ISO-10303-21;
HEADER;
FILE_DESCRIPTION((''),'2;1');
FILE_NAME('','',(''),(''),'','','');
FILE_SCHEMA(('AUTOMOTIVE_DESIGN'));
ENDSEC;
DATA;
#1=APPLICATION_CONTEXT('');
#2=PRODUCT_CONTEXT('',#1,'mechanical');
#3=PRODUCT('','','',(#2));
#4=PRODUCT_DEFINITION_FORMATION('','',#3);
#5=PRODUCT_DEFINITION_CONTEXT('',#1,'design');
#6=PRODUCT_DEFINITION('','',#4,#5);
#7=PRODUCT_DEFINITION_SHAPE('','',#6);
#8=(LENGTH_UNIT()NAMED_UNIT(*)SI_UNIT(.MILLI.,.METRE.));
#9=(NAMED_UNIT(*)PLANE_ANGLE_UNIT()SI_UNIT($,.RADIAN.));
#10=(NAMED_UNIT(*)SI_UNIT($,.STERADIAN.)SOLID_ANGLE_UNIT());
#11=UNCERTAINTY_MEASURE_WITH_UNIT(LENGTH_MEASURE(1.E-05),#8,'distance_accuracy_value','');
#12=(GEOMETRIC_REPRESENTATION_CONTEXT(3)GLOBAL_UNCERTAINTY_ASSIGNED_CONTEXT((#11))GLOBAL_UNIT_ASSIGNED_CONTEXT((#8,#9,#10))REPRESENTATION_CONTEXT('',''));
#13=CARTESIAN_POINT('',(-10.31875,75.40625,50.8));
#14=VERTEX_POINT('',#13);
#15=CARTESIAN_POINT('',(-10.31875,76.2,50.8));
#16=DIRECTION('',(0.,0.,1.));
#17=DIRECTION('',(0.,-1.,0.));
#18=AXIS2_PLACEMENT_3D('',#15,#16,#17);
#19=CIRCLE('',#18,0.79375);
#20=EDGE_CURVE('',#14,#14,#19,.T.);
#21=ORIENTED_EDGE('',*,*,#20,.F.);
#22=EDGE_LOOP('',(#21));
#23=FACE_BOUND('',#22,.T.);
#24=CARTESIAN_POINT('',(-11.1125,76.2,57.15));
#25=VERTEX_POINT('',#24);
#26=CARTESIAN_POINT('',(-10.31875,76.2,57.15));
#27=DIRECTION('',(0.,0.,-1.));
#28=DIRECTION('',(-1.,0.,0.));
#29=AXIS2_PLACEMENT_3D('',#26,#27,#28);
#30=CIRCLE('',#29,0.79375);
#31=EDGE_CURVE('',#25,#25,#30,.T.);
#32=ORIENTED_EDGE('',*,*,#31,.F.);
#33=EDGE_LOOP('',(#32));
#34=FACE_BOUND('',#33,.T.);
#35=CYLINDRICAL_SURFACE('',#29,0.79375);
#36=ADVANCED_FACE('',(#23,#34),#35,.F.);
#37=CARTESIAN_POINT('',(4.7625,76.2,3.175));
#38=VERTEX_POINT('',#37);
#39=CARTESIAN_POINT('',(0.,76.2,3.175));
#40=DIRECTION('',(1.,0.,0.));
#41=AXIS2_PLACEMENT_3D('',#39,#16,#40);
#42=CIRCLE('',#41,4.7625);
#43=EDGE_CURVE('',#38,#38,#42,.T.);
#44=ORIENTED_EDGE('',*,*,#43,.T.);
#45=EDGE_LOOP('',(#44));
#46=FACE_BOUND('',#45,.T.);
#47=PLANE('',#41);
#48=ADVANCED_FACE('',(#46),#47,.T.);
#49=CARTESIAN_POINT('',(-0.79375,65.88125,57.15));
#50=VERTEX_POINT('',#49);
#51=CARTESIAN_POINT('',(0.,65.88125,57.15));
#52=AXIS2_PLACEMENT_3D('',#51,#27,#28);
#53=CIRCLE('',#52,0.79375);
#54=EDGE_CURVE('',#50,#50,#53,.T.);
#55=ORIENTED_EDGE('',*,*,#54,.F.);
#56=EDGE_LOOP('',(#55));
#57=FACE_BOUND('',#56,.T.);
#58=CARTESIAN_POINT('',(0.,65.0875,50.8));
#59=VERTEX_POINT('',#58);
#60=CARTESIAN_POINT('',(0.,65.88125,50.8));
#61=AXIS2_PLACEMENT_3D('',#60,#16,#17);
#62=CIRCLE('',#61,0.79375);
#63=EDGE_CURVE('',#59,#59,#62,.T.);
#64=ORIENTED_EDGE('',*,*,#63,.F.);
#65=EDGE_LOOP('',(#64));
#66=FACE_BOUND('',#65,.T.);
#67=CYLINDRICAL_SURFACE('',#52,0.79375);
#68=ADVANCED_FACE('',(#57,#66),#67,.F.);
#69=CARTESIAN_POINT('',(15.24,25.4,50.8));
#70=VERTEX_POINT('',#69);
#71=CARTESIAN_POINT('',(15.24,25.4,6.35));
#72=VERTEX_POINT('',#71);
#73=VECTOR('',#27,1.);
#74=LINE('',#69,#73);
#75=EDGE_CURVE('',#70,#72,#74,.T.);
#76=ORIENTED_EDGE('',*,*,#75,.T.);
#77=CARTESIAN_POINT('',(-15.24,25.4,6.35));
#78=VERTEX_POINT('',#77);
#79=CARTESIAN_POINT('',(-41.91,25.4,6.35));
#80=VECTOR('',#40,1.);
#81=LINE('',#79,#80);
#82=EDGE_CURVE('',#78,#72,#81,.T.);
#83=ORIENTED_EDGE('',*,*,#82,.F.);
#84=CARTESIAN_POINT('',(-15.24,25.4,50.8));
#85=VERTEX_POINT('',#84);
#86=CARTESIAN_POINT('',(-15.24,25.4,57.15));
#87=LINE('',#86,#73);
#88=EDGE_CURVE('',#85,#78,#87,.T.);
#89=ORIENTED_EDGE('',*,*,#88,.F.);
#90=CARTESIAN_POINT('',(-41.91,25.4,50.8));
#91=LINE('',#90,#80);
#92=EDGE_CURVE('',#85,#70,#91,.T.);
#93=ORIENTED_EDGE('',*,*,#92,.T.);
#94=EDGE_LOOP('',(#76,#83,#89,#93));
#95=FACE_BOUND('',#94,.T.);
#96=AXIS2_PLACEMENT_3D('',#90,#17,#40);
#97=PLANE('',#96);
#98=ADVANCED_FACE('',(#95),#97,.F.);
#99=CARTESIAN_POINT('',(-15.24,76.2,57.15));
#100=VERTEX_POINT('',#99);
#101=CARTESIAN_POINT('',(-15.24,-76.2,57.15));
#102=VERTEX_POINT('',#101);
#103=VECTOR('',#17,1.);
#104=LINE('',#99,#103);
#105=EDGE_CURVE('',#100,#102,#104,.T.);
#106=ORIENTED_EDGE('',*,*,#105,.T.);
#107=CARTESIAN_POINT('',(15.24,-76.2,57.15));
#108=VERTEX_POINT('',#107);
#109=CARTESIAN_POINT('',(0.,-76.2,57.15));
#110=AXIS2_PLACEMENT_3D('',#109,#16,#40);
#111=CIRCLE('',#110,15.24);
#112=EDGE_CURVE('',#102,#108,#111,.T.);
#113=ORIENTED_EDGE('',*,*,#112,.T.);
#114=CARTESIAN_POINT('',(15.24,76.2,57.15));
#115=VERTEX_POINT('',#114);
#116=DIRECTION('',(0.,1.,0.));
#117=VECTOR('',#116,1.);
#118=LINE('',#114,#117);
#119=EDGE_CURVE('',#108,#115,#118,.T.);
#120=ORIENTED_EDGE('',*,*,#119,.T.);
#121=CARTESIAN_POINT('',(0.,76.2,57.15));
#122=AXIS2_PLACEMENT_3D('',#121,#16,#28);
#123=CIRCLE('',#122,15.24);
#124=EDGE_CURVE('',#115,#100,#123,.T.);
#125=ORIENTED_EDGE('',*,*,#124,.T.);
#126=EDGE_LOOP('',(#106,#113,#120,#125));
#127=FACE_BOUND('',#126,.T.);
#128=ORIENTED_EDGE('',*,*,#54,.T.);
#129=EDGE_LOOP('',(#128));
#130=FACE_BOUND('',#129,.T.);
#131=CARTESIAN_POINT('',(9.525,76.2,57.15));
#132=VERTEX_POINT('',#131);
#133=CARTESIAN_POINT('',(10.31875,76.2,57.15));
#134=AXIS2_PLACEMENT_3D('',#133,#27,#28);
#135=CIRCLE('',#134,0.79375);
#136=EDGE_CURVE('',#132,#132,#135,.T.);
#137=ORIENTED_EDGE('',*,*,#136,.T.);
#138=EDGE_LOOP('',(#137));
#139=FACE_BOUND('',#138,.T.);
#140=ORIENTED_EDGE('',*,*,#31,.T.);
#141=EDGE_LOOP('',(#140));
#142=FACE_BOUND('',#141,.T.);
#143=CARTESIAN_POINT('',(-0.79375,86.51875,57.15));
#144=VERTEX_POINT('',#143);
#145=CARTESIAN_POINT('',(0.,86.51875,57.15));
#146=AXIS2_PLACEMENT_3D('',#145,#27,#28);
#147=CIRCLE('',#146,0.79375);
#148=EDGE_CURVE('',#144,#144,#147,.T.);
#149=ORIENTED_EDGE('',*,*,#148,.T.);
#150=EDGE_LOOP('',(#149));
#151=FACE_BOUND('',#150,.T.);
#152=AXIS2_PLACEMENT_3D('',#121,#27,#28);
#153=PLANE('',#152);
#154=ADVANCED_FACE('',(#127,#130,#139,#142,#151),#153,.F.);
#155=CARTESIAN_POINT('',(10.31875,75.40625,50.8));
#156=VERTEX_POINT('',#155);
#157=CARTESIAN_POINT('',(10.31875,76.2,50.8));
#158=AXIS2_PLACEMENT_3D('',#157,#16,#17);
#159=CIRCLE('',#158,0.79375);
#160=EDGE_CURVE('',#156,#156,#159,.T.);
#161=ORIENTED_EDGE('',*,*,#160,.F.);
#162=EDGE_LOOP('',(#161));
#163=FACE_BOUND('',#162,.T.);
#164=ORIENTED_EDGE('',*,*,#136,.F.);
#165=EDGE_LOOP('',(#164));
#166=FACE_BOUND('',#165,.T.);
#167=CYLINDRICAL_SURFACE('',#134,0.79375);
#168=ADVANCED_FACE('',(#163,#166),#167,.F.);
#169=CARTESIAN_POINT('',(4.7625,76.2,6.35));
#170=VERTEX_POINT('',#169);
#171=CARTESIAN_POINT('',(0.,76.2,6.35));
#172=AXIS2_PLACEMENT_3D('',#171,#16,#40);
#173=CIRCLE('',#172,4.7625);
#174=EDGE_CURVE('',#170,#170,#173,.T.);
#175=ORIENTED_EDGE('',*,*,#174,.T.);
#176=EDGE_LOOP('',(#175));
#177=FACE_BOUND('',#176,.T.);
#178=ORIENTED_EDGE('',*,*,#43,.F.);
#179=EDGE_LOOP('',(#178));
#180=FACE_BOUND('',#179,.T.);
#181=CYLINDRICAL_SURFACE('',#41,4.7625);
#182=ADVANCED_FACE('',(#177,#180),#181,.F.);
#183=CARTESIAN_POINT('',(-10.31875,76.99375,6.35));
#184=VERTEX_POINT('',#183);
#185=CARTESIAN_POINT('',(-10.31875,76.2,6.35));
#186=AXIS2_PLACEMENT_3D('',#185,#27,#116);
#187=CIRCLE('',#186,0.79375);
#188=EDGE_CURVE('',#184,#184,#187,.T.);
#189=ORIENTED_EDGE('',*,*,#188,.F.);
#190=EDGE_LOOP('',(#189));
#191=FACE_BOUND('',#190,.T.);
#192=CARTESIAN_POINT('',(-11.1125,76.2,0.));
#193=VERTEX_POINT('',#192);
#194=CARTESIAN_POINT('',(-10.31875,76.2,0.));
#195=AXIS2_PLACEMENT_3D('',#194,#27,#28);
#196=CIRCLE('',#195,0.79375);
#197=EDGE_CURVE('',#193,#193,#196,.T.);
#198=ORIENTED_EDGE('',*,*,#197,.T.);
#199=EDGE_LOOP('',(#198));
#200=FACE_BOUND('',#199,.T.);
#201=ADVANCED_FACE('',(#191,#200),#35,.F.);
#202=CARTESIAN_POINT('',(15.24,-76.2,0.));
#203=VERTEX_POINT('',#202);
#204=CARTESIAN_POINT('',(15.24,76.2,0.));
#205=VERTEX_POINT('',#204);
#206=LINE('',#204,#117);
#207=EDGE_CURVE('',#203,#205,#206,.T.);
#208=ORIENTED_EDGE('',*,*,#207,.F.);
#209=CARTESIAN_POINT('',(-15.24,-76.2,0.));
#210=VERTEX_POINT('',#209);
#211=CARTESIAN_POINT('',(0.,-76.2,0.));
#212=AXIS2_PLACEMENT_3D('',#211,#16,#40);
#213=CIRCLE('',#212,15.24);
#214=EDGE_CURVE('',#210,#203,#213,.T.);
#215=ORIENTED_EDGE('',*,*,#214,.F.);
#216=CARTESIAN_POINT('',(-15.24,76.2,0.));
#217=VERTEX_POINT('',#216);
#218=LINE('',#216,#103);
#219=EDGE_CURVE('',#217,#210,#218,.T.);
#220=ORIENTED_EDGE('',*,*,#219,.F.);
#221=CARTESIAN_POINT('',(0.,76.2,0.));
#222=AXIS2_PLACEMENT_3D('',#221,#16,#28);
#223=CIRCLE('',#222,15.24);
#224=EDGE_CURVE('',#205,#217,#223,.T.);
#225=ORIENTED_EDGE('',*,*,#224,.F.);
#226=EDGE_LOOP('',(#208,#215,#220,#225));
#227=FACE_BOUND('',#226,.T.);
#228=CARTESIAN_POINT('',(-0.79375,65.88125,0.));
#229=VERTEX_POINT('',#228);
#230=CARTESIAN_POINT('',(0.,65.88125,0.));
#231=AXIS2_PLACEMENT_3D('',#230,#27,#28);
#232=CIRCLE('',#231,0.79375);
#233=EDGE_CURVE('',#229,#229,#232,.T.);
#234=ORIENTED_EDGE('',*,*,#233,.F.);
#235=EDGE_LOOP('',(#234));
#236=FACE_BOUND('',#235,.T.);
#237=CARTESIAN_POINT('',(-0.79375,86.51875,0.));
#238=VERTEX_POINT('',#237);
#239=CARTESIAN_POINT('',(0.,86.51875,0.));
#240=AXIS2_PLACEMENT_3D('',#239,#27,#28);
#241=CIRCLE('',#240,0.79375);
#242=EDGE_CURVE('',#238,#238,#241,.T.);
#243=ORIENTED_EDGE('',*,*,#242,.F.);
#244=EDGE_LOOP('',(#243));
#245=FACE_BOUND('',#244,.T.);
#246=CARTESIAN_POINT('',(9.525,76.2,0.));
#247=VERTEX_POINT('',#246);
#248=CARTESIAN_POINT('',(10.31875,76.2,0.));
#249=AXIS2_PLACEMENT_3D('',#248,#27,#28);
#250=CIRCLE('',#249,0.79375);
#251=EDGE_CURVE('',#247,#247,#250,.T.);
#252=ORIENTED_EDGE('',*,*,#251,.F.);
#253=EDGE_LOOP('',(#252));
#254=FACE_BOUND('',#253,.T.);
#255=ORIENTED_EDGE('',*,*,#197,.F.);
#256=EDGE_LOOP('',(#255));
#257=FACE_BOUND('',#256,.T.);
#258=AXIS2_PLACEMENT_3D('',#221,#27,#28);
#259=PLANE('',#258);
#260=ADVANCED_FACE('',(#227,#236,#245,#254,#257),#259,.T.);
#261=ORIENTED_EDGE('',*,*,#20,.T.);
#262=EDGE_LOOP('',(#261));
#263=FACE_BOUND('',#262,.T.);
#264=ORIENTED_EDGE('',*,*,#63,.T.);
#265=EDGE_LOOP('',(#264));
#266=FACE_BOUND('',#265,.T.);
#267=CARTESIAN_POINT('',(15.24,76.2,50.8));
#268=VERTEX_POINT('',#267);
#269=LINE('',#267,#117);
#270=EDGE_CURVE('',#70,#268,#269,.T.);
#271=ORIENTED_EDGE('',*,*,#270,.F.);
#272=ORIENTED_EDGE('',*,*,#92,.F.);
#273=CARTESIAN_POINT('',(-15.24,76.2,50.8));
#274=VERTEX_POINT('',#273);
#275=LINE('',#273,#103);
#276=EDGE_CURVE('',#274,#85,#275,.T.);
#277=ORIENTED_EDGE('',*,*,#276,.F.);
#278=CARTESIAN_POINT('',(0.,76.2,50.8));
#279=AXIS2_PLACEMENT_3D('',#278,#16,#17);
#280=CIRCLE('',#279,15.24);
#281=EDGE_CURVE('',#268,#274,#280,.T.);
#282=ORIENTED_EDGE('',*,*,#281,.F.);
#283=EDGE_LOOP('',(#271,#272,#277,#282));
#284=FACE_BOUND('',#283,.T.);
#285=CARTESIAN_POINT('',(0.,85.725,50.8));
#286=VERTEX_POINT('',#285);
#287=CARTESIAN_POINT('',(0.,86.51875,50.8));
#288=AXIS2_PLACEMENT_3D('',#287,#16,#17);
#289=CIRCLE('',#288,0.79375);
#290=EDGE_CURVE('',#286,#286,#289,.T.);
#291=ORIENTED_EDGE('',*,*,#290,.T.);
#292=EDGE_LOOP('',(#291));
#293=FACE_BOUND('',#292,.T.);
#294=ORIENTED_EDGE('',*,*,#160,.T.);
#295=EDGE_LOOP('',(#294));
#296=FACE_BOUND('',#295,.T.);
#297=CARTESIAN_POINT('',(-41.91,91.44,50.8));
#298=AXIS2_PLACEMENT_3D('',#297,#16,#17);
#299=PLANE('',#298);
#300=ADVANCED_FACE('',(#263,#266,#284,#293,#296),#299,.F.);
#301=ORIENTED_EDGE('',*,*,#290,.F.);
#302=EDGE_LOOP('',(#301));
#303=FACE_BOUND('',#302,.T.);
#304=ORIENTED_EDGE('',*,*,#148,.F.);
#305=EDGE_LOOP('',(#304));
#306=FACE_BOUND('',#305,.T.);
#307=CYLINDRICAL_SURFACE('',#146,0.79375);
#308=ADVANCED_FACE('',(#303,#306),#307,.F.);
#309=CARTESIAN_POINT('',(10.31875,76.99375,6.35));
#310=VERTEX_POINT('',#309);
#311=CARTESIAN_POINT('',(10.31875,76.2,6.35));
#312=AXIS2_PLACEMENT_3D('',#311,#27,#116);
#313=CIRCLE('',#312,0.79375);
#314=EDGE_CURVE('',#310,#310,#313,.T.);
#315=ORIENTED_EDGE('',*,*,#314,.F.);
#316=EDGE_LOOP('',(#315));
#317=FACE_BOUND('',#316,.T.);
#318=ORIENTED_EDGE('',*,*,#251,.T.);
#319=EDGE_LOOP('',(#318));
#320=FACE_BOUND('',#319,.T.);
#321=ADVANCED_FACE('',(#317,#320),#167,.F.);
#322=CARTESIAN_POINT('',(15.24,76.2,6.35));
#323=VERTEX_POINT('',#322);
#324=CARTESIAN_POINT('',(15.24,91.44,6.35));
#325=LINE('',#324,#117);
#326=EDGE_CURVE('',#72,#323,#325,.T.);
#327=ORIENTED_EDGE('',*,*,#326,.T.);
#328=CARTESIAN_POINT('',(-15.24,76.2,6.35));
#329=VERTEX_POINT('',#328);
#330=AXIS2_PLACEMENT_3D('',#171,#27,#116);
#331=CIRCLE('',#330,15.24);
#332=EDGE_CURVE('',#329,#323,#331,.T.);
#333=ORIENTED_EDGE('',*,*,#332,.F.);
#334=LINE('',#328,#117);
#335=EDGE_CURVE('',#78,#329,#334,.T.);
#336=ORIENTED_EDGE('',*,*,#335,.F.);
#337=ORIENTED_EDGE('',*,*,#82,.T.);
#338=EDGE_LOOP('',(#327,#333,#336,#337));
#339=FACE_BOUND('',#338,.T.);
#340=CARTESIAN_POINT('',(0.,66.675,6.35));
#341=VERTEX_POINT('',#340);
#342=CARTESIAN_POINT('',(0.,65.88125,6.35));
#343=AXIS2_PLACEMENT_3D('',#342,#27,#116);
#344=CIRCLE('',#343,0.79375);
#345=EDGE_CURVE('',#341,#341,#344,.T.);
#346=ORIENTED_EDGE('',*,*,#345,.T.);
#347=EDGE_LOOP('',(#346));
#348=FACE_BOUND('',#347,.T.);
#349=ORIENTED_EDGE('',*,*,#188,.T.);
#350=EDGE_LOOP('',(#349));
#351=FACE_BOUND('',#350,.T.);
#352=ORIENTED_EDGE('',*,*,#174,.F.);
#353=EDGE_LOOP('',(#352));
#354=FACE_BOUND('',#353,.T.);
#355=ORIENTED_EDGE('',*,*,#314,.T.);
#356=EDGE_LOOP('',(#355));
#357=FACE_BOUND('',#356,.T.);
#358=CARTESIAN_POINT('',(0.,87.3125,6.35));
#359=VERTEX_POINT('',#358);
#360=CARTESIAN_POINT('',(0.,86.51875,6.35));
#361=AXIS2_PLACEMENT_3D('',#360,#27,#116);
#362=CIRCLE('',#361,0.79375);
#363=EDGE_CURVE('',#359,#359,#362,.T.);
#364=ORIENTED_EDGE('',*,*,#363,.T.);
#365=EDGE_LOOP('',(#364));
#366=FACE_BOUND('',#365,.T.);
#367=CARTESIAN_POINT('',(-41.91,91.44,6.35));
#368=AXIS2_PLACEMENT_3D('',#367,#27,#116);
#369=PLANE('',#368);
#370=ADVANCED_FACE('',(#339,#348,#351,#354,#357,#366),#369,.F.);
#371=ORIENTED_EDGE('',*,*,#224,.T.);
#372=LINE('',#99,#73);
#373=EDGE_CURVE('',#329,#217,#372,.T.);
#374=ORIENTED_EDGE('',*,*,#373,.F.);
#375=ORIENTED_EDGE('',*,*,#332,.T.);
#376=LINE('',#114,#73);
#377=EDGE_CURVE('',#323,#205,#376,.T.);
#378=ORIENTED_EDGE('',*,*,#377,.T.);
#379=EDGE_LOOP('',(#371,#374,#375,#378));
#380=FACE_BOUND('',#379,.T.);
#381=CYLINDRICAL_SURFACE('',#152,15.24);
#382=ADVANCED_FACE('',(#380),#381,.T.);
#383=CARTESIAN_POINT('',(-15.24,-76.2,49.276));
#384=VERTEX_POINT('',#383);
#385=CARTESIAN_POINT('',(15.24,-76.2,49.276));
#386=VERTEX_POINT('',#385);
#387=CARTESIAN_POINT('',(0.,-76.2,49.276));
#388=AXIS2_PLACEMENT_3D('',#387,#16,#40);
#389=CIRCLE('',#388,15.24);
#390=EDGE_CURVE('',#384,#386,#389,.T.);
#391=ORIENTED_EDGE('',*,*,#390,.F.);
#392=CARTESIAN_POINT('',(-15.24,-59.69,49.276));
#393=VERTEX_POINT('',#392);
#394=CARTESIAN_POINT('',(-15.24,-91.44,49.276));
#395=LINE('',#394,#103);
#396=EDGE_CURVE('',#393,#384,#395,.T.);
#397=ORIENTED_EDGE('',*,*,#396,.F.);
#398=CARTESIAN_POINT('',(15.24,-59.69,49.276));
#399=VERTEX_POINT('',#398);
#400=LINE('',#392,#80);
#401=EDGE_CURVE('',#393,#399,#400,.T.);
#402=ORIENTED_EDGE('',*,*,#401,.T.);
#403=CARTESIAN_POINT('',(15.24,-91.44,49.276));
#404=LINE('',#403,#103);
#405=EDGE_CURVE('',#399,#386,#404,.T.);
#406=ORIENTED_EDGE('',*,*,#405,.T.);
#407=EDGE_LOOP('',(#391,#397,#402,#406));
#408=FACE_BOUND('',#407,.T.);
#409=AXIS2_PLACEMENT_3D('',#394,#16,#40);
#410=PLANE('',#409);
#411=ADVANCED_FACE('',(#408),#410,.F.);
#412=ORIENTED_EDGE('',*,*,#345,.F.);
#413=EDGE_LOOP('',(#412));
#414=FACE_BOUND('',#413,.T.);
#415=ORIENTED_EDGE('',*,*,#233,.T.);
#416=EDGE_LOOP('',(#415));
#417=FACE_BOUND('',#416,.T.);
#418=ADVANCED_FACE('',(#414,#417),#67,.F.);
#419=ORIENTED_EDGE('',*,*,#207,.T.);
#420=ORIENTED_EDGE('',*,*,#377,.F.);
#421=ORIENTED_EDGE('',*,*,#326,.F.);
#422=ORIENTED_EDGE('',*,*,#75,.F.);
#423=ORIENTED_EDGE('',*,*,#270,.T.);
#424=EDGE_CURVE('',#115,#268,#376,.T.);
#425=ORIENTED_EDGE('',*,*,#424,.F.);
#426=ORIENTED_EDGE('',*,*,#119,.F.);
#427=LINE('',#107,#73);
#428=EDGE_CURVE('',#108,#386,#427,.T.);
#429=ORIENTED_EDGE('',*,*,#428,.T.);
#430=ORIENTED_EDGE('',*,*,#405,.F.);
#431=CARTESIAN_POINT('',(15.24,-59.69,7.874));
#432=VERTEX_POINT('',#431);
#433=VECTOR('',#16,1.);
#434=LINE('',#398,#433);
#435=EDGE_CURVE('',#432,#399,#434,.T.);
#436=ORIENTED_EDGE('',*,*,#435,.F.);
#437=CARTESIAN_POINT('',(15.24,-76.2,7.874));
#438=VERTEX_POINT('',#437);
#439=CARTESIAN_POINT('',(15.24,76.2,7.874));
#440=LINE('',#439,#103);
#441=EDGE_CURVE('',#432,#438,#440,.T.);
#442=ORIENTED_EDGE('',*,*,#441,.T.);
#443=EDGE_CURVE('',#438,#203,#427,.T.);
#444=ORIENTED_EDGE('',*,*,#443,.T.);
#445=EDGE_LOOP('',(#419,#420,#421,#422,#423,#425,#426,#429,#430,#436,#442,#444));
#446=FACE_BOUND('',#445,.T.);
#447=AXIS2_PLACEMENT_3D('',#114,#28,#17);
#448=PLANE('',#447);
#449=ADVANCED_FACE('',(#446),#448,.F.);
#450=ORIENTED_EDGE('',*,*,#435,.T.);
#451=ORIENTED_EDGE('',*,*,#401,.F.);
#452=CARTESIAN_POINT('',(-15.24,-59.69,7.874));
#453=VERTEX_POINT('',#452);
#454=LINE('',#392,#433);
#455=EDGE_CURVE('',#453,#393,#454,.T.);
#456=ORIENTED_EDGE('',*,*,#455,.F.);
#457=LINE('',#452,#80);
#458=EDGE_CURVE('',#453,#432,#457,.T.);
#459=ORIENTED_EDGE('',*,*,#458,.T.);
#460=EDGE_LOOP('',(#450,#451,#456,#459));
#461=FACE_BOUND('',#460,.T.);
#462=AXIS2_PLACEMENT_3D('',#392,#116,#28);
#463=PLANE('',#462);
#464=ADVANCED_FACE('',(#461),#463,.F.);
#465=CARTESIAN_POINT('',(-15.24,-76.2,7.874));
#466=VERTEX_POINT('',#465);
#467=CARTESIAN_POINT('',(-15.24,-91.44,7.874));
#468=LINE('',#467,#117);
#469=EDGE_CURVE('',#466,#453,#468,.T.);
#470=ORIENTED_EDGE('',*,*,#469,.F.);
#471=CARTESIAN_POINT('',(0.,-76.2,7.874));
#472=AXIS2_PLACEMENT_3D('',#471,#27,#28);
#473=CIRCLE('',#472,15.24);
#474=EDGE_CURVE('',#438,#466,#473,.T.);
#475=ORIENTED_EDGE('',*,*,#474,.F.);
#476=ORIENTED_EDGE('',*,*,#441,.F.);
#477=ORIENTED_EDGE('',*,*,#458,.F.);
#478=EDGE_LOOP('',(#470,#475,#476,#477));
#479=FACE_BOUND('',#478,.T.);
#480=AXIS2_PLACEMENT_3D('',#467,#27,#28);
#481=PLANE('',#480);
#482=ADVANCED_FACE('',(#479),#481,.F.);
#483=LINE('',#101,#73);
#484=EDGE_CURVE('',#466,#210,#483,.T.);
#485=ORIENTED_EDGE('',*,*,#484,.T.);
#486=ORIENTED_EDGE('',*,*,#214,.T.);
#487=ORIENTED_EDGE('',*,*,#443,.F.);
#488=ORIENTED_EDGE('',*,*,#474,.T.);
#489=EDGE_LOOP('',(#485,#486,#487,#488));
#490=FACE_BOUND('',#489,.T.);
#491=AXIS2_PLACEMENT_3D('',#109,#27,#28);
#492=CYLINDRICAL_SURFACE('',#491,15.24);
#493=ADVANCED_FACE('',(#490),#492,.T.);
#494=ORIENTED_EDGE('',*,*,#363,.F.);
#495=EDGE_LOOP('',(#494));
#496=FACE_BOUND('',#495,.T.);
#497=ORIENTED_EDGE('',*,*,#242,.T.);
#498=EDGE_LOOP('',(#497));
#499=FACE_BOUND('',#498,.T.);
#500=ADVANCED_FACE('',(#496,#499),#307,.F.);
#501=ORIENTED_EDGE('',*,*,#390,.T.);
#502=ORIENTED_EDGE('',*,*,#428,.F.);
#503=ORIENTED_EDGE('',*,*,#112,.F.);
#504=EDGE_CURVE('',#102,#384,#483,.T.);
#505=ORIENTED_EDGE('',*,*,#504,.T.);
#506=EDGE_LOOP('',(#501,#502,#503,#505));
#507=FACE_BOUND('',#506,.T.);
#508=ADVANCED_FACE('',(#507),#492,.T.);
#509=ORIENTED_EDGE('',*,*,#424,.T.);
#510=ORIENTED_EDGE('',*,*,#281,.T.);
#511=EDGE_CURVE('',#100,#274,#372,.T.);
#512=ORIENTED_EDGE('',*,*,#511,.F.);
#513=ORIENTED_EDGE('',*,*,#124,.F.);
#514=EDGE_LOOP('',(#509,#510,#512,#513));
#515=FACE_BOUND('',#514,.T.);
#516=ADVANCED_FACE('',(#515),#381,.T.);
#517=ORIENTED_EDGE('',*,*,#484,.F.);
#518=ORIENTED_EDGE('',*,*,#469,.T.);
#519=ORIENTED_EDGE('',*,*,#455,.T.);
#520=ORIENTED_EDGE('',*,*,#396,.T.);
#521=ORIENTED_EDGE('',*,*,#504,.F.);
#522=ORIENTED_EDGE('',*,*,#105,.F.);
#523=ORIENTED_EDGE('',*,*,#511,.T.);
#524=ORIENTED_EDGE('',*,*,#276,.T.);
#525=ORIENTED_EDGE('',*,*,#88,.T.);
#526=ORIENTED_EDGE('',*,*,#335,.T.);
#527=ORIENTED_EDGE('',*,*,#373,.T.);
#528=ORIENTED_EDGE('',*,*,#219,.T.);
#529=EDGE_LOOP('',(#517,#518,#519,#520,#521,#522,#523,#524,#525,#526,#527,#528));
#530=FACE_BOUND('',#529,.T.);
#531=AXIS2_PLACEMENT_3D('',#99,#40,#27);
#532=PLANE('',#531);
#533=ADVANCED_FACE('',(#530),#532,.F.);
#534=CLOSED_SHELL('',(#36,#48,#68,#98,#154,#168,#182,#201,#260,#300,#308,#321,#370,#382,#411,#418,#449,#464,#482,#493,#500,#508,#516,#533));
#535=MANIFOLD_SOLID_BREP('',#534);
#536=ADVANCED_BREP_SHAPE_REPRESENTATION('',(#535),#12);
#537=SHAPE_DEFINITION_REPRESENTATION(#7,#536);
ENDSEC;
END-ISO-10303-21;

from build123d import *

# Parameters (mm, degrees)
BOSS_EXTRUDE1_DEPTH = 57.15
SKETCH2_W           = 44.45
SKETCH2_H           = 66.04
CUT_EXTRUDE1_DEPTH  = 57.15
SKETCH6_R           = 4.7625
CUT_EXTRUDE3_DEPTH  = 3.175
SKETCH8_R           = 0.79375
CUT_EXTRUDE4_DEPTH  = 58.15
SKETCH9_W           = 41.402
SKETCH9_H           = 31.75
CUT_EXTRUDE5_DEPTH  = 31.48


with BuildPart() as part:
    # Sketch1 → Boss-Extrude1 (new body)
    with BuildSketch(Plane.XY):
        with BuildLine():
            Line((-15.24, 76.2), (-15.24, -76.2))
            ThreePointArc((-15.24, -76.2), (0, -91.44), (15.24, -76.2))
            Line((15.24, -76.2), (15.24, 76.2))
            ThreePointArc((15.24, 76.2), (0, 91.44), (-15.24, 76.2))
        make_face()
    extrude(amount=BOSS_EXTRUDE1_DEPTH)

    # Sketch2 → Cut-Extrude1 (cut)
    with BuildSketch(Plane(origin=(15.24, 0, 0), x_dir=(0, 0, -1), z_dir=(1, 0, 0))):
        with Locations((-28.575, 58.42)):
            Rectangle(SKETCH2_W, SKETCH2_H)
    extrude(amount=-CUT_EXTRUDE1_DEPTH, mode=Mode.SUBTRACT)

    # Sketch6 → Cut-Extrude3 (cut)
    with BuildSketch(Plane.XY.offset(6.35)):
        with Locations((0, 76.2)):
            Circle(SKETCH6_R)
    extrude(amount=-CUT_EXTRUDE3_DEPTH, mode=Mode.SUBTRACT)

    # Sketch8 → Cut-Extrude4 (cut, through all)
    with BuildSketch(Plane(origin=(0, 0, 0), x_dir=(-1, 0, 0), z_dir=(0, 0, -1))):
        with Locations((0, 65.88125)):
            Circle(SKETCH8_R)
        with Locations((-10.31875, 76.2)):
            Circle(SKETCH8_R)
        with Locations((0, 86.51875)):
            Circle(SKETCH8_R)
        with Locations((10.31875, 76.2)):
            Circle(SKETCH8_R)
    extrude(amount=-CUT_EXTRUDE4_DEPTH, mode=Mode.SUBTRACT)

    # Sketch9 → Cut-Extrude5 (cut, through all)
    with BuildSketch(Plane(origin=(15.24, 0, 0), x_dir=(0, 0, -1), z_dir=(1, 0, 0))):
        with Locations((-28.575, -75.565)):
            Rectangle(SKETCH9_W, SKETCH9_H)
    extrude(amount=-CUT_EXTRUDE5_DEPTH, mode=Mode.SUBTRACT)


solid = part.part
